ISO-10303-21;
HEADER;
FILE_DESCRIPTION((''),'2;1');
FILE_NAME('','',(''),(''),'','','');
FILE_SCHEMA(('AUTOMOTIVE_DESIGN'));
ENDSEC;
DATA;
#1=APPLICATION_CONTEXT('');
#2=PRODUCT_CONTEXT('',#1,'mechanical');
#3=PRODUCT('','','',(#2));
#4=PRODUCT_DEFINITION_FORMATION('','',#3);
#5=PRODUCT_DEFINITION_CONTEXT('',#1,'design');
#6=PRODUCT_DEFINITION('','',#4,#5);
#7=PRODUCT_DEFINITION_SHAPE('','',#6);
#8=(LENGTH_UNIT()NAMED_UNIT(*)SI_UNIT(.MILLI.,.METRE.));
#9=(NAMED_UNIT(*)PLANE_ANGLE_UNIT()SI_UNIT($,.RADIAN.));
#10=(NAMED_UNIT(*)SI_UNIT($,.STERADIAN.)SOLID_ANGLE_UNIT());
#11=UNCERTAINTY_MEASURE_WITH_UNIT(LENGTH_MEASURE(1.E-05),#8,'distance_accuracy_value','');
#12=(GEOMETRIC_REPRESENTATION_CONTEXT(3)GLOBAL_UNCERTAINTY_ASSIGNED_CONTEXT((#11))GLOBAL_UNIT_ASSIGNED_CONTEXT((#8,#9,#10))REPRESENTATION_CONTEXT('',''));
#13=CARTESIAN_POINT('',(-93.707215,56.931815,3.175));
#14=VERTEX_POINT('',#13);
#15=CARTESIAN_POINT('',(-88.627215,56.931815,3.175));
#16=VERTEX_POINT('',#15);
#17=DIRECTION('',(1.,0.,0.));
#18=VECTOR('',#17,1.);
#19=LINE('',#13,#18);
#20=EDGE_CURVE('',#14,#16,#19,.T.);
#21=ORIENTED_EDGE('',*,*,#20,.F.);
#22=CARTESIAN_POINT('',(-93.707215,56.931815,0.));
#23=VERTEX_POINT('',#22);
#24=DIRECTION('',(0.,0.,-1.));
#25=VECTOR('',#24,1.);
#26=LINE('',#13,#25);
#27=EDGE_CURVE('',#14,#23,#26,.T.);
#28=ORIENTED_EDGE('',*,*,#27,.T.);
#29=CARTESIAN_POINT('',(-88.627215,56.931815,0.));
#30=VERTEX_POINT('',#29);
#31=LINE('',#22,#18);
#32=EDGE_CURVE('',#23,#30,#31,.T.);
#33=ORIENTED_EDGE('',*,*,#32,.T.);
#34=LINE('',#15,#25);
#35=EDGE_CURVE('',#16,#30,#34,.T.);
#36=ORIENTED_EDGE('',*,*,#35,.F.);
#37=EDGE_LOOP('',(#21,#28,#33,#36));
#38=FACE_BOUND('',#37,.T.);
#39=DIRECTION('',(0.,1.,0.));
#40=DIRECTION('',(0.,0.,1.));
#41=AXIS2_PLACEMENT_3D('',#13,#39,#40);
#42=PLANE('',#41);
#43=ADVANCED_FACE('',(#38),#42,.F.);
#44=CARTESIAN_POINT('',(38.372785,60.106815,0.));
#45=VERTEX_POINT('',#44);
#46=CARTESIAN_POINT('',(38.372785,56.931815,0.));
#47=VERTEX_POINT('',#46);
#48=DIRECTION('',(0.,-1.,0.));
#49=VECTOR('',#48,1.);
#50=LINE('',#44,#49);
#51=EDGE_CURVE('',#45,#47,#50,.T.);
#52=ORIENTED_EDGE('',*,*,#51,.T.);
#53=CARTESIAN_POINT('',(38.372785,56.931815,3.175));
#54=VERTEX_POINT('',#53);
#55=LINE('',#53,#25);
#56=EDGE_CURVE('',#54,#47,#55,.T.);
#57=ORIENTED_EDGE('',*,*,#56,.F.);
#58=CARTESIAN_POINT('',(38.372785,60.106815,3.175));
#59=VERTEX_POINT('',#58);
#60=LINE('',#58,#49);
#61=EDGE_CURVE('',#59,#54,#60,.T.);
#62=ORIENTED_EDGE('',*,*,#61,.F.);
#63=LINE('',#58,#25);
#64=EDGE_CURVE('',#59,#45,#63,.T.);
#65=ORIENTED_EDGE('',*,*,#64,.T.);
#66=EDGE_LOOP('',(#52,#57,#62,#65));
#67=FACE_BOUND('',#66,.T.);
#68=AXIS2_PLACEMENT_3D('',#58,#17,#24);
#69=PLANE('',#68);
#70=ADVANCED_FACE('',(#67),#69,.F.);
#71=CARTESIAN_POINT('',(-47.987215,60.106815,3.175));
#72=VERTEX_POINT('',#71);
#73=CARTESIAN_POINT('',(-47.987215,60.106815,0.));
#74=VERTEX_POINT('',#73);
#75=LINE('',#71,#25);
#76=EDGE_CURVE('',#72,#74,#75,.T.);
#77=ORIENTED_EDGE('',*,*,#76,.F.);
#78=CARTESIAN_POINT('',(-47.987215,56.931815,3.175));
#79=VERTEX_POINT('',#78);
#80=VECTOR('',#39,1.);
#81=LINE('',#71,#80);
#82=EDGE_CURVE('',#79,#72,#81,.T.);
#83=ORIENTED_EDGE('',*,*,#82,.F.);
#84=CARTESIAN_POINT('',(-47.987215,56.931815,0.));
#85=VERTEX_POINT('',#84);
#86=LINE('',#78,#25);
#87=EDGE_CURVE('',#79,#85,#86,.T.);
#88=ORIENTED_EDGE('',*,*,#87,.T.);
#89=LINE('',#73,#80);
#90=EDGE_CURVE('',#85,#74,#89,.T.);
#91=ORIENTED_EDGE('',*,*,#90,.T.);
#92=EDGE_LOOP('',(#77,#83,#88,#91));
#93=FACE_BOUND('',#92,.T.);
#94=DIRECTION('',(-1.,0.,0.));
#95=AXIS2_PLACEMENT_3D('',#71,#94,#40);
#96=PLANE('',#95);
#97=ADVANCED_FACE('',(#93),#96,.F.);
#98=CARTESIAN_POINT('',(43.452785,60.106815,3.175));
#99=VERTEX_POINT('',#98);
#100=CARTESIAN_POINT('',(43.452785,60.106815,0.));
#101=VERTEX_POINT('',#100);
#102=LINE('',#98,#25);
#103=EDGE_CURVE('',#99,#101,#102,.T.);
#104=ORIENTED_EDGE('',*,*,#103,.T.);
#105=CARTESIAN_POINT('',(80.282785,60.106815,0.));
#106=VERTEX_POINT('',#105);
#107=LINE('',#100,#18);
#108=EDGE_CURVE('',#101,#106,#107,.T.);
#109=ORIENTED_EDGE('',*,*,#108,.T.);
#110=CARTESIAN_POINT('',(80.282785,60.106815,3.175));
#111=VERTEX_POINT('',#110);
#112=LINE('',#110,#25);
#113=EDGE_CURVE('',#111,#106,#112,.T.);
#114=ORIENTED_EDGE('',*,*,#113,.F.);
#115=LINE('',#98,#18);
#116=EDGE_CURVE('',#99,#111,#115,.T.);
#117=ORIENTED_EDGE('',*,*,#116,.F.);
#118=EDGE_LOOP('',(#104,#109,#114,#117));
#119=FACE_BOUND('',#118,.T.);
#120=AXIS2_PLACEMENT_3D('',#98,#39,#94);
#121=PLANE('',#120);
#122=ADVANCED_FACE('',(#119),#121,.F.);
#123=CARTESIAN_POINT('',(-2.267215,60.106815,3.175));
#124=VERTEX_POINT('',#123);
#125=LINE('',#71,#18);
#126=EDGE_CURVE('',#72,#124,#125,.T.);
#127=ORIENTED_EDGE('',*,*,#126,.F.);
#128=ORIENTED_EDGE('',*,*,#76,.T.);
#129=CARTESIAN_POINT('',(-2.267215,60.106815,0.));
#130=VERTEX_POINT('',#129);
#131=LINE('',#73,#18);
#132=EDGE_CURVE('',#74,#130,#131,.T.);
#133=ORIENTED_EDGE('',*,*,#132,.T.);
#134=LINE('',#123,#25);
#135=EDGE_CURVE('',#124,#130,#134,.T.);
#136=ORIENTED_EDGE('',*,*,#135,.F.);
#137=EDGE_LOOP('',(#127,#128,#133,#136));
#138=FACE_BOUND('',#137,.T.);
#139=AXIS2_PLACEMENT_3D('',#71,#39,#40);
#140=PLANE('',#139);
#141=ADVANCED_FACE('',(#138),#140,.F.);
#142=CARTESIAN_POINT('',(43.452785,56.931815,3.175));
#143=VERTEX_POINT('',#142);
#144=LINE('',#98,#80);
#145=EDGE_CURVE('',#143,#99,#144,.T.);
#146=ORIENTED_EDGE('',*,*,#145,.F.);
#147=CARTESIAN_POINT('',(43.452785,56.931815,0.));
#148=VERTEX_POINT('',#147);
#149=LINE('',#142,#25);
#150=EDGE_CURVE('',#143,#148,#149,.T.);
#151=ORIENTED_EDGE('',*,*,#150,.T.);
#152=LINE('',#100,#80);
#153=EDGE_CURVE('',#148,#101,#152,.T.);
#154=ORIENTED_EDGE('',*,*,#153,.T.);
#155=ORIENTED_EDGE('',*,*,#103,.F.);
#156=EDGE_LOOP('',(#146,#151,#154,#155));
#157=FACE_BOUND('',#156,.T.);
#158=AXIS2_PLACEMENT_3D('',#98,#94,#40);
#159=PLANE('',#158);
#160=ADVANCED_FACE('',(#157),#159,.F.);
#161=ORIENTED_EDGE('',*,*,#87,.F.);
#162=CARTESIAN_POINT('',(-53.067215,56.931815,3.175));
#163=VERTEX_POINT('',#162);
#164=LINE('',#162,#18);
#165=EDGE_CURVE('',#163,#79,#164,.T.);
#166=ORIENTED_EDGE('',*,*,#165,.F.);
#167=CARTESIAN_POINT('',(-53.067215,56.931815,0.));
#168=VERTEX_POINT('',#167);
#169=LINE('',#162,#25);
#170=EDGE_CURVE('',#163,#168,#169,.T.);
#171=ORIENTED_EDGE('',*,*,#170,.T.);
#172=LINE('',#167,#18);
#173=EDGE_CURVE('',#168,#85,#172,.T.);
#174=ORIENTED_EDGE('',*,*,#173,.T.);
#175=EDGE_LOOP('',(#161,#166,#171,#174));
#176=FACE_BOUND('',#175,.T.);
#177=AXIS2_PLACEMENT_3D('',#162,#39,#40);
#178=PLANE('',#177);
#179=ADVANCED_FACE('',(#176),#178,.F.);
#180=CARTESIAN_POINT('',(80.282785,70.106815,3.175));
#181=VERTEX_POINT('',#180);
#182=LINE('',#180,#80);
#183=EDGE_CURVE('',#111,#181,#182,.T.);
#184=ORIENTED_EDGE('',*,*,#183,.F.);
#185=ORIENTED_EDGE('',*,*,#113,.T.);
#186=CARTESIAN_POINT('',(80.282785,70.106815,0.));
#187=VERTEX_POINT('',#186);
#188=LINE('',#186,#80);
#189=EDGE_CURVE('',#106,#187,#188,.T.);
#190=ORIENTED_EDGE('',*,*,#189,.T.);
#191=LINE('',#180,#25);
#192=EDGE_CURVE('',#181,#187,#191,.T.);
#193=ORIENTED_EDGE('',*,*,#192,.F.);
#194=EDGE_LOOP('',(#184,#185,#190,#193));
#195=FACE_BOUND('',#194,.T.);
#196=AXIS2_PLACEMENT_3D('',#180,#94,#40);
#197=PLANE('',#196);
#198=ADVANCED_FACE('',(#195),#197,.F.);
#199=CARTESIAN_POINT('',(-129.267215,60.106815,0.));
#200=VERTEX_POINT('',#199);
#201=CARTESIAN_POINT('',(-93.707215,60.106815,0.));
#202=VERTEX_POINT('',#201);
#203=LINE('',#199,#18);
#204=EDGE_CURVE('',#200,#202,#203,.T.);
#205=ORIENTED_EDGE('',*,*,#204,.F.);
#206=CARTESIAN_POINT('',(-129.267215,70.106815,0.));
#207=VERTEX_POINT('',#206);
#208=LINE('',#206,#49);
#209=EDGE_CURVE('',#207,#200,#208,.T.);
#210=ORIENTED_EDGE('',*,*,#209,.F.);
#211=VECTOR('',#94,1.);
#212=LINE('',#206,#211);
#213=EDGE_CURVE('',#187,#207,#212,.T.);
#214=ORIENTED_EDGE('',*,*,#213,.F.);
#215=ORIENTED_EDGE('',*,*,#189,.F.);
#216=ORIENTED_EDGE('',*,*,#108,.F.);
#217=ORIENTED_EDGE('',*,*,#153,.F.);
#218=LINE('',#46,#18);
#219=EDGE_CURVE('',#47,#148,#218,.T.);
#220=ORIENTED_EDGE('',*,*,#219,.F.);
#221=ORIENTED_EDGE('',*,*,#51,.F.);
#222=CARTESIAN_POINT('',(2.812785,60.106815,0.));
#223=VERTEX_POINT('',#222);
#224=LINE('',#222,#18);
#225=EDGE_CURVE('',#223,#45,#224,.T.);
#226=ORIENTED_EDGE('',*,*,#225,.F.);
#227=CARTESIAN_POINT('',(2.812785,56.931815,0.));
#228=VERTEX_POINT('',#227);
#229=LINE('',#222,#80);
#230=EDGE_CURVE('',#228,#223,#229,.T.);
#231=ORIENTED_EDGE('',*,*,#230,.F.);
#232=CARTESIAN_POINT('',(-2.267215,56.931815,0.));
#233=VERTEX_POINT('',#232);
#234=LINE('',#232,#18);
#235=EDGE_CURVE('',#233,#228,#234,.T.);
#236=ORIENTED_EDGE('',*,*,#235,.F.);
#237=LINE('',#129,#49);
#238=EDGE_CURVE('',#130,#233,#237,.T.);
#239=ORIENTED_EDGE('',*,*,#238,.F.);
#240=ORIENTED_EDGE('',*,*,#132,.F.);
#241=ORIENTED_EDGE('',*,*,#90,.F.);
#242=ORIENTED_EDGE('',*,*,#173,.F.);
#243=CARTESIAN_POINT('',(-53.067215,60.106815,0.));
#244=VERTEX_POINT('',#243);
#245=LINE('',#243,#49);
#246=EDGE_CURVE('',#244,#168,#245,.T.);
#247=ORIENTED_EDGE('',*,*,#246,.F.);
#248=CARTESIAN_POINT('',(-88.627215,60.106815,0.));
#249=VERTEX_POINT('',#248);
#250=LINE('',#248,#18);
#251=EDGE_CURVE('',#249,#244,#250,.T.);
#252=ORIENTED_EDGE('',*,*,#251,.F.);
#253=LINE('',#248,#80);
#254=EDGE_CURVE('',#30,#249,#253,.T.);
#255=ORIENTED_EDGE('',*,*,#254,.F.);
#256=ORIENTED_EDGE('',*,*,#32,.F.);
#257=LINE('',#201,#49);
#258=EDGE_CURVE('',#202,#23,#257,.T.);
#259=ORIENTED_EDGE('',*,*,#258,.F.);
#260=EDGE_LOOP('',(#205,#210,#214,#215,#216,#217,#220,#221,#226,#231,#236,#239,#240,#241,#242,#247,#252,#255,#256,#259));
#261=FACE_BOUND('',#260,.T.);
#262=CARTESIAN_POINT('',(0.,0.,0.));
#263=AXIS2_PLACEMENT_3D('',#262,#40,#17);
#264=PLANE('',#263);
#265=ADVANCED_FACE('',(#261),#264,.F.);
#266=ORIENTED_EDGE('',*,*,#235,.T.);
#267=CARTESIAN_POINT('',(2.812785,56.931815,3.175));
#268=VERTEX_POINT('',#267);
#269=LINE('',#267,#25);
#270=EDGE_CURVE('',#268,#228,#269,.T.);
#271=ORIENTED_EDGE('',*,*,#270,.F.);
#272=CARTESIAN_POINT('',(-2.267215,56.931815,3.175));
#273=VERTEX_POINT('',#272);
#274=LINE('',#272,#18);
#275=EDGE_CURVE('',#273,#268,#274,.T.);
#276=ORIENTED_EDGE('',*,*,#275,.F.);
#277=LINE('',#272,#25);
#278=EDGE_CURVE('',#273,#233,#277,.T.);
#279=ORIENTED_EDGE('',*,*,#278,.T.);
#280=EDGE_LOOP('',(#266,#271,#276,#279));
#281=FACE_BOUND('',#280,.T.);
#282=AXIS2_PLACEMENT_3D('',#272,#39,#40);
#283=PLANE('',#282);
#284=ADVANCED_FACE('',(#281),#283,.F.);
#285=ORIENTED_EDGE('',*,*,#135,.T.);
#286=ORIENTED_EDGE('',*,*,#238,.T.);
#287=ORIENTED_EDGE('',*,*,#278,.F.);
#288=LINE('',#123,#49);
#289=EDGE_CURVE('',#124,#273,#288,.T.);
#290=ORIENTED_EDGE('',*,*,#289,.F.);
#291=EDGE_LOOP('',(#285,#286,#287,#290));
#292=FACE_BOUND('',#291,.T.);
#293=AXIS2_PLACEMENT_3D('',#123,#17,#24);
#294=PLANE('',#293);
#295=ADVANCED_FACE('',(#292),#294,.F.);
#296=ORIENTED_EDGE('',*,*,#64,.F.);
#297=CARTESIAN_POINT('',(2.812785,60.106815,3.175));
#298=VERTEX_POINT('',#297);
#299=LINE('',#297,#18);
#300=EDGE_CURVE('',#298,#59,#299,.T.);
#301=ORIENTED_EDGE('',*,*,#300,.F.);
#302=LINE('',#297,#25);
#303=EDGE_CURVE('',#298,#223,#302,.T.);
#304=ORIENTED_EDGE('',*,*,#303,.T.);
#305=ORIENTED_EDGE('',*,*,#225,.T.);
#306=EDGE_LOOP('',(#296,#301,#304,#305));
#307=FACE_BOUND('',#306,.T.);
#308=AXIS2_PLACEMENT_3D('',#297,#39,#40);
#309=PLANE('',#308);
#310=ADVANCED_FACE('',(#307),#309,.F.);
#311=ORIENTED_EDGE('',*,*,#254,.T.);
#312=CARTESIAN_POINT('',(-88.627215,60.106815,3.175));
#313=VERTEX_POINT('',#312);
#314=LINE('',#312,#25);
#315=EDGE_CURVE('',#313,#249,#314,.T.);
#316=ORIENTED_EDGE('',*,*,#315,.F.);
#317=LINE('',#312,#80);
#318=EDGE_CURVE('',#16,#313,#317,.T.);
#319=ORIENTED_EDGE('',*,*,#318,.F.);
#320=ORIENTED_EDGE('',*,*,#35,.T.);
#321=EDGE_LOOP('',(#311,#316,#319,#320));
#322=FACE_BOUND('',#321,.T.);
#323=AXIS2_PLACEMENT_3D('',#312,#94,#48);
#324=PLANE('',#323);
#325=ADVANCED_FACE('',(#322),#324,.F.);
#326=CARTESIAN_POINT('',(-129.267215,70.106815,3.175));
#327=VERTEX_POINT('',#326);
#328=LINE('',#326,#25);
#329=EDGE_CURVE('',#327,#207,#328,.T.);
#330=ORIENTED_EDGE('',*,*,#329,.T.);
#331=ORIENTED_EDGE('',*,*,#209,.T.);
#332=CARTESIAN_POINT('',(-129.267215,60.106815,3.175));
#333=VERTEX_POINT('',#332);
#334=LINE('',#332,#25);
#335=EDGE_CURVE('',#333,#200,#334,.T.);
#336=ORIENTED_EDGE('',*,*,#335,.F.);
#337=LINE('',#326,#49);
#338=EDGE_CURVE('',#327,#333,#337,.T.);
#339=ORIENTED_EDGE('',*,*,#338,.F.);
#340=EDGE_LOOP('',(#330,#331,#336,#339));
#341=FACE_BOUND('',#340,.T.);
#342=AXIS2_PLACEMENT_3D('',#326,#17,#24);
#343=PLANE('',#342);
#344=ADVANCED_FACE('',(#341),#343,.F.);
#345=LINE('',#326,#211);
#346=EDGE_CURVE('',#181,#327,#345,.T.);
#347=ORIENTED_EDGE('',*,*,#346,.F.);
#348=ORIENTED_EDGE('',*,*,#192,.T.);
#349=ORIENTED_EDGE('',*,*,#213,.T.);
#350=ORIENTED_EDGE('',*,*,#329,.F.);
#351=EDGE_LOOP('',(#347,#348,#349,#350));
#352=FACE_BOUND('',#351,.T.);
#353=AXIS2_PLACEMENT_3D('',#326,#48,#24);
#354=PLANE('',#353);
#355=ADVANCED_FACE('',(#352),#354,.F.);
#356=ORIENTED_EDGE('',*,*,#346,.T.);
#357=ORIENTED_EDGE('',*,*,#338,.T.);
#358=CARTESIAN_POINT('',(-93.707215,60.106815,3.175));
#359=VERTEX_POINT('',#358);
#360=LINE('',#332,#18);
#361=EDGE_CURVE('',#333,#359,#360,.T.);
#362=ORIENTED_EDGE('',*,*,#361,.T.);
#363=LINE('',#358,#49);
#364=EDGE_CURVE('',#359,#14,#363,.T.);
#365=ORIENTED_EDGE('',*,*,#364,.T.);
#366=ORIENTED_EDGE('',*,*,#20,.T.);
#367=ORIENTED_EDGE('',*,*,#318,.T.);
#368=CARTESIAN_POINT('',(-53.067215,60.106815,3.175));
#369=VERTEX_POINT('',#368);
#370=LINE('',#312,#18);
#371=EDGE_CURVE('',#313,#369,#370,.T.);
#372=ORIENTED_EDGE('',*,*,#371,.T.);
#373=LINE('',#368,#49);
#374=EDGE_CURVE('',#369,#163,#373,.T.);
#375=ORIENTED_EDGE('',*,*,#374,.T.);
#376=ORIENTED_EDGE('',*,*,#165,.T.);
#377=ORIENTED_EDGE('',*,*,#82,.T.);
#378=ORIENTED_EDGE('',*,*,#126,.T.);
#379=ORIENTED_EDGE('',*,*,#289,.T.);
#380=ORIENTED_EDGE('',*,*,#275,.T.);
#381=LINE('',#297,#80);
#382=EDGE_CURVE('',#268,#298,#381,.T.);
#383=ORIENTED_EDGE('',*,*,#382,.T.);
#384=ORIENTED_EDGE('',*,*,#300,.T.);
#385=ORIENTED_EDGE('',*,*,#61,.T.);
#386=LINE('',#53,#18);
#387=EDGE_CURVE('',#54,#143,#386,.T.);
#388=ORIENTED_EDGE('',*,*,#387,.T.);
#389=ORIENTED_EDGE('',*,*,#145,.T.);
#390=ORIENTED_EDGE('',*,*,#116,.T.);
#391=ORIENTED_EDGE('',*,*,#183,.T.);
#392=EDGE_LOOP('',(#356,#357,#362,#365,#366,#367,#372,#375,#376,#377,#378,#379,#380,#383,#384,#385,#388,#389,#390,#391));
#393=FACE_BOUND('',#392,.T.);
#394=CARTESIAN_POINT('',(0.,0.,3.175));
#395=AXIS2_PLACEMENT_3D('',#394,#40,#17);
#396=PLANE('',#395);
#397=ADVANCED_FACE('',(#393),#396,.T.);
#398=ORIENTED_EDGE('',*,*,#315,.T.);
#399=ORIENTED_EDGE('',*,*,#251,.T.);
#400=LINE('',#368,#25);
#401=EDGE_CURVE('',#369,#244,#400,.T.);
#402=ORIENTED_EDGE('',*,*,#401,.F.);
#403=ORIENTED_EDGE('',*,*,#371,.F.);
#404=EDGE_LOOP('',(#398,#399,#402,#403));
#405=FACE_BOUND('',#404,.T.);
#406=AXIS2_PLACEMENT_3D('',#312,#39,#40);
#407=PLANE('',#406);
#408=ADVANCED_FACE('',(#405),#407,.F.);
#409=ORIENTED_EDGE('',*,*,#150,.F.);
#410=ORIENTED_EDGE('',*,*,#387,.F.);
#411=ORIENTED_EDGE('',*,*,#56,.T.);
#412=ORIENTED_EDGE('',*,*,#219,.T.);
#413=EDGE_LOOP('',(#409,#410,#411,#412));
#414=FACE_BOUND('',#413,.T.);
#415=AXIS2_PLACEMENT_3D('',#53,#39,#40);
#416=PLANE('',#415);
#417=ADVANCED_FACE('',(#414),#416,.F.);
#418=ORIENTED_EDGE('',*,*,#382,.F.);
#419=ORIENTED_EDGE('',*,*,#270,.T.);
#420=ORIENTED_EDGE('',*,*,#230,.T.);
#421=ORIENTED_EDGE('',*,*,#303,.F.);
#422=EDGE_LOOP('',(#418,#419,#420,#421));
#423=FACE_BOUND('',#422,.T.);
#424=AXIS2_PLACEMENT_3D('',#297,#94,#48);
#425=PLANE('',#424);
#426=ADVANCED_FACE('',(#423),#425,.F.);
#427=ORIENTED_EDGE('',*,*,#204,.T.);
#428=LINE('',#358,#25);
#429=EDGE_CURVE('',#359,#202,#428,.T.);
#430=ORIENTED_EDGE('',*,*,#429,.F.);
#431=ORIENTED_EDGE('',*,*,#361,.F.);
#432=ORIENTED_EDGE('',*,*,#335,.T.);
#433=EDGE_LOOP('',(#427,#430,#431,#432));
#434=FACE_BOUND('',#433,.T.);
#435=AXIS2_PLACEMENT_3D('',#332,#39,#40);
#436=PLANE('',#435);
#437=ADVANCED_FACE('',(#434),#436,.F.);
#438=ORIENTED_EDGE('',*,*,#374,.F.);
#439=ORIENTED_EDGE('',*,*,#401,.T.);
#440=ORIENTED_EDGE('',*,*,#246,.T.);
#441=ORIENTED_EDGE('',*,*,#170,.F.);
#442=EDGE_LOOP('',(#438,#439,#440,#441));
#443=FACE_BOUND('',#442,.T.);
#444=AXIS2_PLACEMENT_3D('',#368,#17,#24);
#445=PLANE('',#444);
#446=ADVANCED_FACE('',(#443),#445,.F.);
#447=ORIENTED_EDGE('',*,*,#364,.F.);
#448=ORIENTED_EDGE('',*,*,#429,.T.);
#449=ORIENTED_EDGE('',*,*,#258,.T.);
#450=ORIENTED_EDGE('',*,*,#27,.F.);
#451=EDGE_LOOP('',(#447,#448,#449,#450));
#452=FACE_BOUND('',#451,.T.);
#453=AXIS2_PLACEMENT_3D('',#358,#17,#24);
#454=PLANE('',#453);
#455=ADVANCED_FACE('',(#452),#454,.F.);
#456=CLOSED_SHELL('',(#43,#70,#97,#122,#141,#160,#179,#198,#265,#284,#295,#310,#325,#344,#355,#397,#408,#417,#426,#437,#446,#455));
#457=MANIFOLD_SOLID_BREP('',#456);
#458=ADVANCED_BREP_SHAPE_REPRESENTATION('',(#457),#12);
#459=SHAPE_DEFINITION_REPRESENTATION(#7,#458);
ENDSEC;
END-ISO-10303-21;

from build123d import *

# Parameters (mm, degrees)
BOSS_EXTRUDE1_DEPTH = 3.175


with BuildPart() as part:
    # Sketch1 → Boss-Extrude1 (new body)
    with BuildSketch(Plane.XY):
        Polygon((-2.267215107, 60.106814658), (-2.267215107, 56.931814658), (2.812784893, 56.931814658), (2.812784893, 60.106814658), (38.372784893, 60.106814658), (38.372784893, 56.931814658), (43.452784893, 56.931814658), (43.452784893, 60.106814658), (80.282784893, 60.106814658), (80.282784893, 70.106814658), (-129.267215107, 70.106814658), (-129.267215107, 60.106814658), (-93.707215107, 60.106814658), (-93.707215107, 56.931814658), (-88.627215107, 56.931814658), (-88.627215107, 60.106814658), (-53.067215107, 60.106814658), (-53.067215107, 56.931814658), (-47.987215107, 56.931814658), (-47.987215107, 60.106814658), align=None)
    extrude(amount=BOSS_EXTRUDE1_DEPTH)


solid = part.part
